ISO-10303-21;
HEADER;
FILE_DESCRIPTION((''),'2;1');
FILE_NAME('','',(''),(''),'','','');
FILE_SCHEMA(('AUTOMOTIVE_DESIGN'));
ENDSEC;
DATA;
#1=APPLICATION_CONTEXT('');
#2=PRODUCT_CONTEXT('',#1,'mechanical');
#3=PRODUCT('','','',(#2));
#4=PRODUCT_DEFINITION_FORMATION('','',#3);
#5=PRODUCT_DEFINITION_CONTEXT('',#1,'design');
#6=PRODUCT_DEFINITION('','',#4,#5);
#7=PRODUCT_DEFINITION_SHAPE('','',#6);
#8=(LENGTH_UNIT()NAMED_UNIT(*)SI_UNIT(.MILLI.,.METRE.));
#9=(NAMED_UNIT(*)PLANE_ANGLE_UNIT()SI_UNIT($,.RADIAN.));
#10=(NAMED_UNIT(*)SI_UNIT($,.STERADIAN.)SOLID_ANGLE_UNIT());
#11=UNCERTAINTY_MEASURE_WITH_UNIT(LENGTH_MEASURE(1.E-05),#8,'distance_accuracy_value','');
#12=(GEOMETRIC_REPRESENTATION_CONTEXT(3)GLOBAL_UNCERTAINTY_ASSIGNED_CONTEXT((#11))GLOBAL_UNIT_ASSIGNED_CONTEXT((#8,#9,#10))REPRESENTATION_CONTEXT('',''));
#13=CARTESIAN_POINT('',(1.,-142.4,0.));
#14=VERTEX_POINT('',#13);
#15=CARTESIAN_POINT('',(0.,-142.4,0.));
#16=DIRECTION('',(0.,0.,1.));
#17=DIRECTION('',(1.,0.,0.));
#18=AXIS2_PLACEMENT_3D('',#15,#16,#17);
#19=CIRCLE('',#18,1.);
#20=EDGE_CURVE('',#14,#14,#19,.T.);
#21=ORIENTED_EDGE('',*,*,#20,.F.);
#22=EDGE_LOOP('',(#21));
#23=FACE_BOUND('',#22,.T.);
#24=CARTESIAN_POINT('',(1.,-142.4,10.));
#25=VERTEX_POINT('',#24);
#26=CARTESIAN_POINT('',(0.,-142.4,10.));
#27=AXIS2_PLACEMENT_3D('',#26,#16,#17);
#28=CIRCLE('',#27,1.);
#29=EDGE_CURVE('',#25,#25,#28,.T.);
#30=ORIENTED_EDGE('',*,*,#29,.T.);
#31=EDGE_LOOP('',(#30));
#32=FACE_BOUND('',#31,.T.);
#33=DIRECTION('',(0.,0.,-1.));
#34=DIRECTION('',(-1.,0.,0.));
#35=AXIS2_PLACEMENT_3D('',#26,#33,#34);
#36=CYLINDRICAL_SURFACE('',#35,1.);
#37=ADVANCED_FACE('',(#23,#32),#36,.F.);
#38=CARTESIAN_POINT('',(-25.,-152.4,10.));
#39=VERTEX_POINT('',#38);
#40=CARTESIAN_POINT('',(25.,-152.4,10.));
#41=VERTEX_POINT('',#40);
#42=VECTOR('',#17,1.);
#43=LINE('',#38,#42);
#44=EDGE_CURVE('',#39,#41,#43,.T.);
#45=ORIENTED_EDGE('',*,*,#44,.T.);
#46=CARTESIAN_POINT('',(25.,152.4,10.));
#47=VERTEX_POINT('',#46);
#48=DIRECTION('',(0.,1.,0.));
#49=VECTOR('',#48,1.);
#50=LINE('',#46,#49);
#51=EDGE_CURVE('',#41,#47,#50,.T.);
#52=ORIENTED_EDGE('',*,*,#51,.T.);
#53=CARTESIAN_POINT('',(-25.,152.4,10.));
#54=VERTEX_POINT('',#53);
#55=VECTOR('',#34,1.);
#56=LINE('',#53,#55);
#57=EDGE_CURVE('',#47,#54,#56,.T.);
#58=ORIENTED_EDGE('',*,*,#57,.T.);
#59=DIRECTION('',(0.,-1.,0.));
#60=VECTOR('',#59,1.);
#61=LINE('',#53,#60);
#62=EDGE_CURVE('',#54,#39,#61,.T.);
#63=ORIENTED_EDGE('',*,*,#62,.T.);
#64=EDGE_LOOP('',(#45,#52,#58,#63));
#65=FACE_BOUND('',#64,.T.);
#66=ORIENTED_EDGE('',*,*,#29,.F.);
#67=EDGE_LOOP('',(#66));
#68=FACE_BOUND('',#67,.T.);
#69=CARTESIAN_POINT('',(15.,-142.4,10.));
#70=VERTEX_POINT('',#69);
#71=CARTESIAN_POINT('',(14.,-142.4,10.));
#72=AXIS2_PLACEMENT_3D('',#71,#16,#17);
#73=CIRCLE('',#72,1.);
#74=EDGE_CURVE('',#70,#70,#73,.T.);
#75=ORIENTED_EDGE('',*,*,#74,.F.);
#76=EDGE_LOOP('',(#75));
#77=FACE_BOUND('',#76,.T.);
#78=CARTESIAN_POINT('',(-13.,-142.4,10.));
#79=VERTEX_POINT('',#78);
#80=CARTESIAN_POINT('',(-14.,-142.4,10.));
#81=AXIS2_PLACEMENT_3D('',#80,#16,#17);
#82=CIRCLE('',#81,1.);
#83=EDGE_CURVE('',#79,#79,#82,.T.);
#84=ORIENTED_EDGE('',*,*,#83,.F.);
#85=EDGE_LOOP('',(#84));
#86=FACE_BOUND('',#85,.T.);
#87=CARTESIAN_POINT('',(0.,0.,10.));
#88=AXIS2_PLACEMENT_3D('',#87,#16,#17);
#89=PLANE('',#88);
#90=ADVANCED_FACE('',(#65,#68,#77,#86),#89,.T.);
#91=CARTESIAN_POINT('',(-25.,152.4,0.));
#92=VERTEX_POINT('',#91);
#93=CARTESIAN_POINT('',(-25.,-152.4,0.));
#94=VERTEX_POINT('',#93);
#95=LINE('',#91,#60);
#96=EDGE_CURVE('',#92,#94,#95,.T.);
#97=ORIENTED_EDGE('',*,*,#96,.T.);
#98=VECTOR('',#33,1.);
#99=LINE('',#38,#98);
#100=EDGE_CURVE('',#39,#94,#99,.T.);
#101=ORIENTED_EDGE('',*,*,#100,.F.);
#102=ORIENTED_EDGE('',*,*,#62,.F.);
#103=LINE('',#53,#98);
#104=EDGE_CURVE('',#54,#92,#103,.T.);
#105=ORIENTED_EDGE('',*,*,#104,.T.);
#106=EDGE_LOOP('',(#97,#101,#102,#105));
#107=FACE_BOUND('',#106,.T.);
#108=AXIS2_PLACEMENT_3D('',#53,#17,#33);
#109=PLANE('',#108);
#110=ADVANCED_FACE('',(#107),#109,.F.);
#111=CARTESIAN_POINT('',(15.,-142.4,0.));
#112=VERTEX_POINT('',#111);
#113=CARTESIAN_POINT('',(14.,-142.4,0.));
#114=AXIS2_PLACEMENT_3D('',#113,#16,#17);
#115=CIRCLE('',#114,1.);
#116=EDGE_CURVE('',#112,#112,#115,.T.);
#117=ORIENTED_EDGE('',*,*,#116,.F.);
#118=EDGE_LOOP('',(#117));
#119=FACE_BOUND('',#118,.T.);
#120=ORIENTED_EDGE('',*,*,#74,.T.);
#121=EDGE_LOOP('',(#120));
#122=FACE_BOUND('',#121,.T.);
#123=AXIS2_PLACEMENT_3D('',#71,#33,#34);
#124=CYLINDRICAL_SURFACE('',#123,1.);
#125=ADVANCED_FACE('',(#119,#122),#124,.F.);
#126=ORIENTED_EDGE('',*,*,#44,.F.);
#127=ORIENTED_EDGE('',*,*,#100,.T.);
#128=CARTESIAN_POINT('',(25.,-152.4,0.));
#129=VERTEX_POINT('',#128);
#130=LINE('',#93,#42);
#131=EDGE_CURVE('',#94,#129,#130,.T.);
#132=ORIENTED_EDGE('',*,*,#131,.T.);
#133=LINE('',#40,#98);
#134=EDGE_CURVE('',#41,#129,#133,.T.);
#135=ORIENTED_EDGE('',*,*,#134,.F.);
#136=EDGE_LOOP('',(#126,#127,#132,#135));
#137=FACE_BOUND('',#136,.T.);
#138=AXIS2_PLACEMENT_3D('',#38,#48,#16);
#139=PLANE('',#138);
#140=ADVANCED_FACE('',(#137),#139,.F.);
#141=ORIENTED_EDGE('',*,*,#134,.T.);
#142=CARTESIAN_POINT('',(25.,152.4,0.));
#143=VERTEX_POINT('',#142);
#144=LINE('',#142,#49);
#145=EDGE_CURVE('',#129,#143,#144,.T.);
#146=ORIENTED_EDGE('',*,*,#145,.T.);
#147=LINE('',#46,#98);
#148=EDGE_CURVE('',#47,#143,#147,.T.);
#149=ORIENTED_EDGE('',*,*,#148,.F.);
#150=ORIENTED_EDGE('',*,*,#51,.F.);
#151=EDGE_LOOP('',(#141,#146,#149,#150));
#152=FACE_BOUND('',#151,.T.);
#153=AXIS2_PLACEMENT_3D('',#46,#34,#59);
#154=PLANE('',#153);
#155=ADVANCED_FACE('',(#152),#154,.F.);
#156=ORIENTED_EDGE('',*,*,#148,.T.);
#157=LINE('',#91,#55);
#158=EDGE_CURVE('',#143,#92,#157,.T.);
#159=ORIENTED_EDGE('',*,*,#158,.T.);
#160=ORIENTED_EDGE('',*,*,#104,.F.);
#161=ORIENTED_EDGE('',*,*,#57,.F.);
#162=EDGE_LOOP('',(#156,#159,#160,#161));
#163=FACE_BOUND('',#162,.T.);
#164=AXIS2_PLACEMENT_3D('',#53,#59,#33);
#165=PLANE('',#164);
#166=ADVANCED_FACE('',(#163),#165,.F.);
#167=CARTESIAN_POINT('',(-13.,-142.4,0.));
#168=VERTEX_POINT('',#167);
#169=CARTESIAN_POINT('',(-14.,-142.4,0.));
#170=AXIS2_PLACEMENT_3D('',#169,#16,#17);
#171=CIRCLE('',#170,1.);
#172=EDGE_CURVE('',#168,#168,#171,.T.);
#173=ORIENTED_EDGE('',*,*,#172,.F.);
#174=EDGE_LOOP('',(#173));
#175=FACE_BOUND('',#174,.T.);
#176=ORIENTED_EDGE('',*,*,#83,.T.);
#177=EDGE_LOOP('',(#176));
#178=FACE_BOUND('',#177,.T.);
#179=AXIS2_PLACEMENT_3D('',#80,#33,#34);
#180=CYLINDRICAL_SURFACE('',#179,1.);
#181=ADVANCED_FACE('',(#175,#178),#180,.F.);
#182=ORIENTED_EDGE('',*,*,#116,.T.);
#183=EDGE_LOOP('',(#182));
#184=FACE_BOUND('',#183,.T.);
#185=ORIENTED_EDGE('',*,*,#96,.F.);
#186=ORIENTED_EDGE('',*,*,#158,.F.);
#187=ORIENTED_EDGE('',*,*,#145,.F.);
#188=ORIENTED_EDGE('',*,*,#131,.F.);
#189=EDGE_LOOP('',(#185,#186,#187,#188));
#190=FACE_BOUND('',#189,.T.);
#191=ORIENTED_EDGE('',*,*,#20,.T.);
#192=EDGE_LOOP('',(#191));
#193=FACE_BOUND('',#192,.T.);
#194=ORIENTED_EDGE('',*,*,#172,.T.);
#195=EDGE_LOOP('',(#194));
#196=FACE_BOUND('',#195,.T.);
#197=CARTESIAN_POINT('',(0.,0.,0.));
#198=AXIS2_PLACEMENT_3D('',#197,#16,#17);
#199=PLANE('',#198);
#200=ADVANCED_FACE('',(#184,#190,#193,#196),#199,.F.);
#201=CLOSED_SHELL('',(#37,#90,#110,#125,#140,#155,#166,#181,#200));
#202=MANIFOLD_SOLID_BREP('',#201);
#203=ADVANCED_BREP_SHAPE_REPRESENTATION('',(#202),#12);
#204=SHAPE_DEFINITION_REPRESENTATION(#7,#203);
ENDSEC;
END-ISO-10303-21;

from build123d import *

# Parameters (mm, degrees)
SKETCH1_W           = 50
SKETCH1_H           = 304.8
SKETCH1_R           = 1
BOSS_EXTRUDE1_DEPTH = 10


with BuildPart() as part:
    # Sketch1 → Boss-Extrude1 (new body)
    with BuildSketch(Plane.XY):
        Rectangle(SKETCH1_W, SKETCH1_H)
        with Locations((-14, -142.4)):
            Circle(SKETCH1_R, mode=Mode.SUBTRACT)
        with Locations((0, -142.4)):
            Circle(SKETCH1_R, mode=Mode.SUBTRACT)
        with Locations((14, -142.4)):
            Circle(SKETCH1_R, mode=Mode.SUBTRACT)
    extrude(amount=BOSS_EXTRUDE1_DEPTH)


solid = part.part
